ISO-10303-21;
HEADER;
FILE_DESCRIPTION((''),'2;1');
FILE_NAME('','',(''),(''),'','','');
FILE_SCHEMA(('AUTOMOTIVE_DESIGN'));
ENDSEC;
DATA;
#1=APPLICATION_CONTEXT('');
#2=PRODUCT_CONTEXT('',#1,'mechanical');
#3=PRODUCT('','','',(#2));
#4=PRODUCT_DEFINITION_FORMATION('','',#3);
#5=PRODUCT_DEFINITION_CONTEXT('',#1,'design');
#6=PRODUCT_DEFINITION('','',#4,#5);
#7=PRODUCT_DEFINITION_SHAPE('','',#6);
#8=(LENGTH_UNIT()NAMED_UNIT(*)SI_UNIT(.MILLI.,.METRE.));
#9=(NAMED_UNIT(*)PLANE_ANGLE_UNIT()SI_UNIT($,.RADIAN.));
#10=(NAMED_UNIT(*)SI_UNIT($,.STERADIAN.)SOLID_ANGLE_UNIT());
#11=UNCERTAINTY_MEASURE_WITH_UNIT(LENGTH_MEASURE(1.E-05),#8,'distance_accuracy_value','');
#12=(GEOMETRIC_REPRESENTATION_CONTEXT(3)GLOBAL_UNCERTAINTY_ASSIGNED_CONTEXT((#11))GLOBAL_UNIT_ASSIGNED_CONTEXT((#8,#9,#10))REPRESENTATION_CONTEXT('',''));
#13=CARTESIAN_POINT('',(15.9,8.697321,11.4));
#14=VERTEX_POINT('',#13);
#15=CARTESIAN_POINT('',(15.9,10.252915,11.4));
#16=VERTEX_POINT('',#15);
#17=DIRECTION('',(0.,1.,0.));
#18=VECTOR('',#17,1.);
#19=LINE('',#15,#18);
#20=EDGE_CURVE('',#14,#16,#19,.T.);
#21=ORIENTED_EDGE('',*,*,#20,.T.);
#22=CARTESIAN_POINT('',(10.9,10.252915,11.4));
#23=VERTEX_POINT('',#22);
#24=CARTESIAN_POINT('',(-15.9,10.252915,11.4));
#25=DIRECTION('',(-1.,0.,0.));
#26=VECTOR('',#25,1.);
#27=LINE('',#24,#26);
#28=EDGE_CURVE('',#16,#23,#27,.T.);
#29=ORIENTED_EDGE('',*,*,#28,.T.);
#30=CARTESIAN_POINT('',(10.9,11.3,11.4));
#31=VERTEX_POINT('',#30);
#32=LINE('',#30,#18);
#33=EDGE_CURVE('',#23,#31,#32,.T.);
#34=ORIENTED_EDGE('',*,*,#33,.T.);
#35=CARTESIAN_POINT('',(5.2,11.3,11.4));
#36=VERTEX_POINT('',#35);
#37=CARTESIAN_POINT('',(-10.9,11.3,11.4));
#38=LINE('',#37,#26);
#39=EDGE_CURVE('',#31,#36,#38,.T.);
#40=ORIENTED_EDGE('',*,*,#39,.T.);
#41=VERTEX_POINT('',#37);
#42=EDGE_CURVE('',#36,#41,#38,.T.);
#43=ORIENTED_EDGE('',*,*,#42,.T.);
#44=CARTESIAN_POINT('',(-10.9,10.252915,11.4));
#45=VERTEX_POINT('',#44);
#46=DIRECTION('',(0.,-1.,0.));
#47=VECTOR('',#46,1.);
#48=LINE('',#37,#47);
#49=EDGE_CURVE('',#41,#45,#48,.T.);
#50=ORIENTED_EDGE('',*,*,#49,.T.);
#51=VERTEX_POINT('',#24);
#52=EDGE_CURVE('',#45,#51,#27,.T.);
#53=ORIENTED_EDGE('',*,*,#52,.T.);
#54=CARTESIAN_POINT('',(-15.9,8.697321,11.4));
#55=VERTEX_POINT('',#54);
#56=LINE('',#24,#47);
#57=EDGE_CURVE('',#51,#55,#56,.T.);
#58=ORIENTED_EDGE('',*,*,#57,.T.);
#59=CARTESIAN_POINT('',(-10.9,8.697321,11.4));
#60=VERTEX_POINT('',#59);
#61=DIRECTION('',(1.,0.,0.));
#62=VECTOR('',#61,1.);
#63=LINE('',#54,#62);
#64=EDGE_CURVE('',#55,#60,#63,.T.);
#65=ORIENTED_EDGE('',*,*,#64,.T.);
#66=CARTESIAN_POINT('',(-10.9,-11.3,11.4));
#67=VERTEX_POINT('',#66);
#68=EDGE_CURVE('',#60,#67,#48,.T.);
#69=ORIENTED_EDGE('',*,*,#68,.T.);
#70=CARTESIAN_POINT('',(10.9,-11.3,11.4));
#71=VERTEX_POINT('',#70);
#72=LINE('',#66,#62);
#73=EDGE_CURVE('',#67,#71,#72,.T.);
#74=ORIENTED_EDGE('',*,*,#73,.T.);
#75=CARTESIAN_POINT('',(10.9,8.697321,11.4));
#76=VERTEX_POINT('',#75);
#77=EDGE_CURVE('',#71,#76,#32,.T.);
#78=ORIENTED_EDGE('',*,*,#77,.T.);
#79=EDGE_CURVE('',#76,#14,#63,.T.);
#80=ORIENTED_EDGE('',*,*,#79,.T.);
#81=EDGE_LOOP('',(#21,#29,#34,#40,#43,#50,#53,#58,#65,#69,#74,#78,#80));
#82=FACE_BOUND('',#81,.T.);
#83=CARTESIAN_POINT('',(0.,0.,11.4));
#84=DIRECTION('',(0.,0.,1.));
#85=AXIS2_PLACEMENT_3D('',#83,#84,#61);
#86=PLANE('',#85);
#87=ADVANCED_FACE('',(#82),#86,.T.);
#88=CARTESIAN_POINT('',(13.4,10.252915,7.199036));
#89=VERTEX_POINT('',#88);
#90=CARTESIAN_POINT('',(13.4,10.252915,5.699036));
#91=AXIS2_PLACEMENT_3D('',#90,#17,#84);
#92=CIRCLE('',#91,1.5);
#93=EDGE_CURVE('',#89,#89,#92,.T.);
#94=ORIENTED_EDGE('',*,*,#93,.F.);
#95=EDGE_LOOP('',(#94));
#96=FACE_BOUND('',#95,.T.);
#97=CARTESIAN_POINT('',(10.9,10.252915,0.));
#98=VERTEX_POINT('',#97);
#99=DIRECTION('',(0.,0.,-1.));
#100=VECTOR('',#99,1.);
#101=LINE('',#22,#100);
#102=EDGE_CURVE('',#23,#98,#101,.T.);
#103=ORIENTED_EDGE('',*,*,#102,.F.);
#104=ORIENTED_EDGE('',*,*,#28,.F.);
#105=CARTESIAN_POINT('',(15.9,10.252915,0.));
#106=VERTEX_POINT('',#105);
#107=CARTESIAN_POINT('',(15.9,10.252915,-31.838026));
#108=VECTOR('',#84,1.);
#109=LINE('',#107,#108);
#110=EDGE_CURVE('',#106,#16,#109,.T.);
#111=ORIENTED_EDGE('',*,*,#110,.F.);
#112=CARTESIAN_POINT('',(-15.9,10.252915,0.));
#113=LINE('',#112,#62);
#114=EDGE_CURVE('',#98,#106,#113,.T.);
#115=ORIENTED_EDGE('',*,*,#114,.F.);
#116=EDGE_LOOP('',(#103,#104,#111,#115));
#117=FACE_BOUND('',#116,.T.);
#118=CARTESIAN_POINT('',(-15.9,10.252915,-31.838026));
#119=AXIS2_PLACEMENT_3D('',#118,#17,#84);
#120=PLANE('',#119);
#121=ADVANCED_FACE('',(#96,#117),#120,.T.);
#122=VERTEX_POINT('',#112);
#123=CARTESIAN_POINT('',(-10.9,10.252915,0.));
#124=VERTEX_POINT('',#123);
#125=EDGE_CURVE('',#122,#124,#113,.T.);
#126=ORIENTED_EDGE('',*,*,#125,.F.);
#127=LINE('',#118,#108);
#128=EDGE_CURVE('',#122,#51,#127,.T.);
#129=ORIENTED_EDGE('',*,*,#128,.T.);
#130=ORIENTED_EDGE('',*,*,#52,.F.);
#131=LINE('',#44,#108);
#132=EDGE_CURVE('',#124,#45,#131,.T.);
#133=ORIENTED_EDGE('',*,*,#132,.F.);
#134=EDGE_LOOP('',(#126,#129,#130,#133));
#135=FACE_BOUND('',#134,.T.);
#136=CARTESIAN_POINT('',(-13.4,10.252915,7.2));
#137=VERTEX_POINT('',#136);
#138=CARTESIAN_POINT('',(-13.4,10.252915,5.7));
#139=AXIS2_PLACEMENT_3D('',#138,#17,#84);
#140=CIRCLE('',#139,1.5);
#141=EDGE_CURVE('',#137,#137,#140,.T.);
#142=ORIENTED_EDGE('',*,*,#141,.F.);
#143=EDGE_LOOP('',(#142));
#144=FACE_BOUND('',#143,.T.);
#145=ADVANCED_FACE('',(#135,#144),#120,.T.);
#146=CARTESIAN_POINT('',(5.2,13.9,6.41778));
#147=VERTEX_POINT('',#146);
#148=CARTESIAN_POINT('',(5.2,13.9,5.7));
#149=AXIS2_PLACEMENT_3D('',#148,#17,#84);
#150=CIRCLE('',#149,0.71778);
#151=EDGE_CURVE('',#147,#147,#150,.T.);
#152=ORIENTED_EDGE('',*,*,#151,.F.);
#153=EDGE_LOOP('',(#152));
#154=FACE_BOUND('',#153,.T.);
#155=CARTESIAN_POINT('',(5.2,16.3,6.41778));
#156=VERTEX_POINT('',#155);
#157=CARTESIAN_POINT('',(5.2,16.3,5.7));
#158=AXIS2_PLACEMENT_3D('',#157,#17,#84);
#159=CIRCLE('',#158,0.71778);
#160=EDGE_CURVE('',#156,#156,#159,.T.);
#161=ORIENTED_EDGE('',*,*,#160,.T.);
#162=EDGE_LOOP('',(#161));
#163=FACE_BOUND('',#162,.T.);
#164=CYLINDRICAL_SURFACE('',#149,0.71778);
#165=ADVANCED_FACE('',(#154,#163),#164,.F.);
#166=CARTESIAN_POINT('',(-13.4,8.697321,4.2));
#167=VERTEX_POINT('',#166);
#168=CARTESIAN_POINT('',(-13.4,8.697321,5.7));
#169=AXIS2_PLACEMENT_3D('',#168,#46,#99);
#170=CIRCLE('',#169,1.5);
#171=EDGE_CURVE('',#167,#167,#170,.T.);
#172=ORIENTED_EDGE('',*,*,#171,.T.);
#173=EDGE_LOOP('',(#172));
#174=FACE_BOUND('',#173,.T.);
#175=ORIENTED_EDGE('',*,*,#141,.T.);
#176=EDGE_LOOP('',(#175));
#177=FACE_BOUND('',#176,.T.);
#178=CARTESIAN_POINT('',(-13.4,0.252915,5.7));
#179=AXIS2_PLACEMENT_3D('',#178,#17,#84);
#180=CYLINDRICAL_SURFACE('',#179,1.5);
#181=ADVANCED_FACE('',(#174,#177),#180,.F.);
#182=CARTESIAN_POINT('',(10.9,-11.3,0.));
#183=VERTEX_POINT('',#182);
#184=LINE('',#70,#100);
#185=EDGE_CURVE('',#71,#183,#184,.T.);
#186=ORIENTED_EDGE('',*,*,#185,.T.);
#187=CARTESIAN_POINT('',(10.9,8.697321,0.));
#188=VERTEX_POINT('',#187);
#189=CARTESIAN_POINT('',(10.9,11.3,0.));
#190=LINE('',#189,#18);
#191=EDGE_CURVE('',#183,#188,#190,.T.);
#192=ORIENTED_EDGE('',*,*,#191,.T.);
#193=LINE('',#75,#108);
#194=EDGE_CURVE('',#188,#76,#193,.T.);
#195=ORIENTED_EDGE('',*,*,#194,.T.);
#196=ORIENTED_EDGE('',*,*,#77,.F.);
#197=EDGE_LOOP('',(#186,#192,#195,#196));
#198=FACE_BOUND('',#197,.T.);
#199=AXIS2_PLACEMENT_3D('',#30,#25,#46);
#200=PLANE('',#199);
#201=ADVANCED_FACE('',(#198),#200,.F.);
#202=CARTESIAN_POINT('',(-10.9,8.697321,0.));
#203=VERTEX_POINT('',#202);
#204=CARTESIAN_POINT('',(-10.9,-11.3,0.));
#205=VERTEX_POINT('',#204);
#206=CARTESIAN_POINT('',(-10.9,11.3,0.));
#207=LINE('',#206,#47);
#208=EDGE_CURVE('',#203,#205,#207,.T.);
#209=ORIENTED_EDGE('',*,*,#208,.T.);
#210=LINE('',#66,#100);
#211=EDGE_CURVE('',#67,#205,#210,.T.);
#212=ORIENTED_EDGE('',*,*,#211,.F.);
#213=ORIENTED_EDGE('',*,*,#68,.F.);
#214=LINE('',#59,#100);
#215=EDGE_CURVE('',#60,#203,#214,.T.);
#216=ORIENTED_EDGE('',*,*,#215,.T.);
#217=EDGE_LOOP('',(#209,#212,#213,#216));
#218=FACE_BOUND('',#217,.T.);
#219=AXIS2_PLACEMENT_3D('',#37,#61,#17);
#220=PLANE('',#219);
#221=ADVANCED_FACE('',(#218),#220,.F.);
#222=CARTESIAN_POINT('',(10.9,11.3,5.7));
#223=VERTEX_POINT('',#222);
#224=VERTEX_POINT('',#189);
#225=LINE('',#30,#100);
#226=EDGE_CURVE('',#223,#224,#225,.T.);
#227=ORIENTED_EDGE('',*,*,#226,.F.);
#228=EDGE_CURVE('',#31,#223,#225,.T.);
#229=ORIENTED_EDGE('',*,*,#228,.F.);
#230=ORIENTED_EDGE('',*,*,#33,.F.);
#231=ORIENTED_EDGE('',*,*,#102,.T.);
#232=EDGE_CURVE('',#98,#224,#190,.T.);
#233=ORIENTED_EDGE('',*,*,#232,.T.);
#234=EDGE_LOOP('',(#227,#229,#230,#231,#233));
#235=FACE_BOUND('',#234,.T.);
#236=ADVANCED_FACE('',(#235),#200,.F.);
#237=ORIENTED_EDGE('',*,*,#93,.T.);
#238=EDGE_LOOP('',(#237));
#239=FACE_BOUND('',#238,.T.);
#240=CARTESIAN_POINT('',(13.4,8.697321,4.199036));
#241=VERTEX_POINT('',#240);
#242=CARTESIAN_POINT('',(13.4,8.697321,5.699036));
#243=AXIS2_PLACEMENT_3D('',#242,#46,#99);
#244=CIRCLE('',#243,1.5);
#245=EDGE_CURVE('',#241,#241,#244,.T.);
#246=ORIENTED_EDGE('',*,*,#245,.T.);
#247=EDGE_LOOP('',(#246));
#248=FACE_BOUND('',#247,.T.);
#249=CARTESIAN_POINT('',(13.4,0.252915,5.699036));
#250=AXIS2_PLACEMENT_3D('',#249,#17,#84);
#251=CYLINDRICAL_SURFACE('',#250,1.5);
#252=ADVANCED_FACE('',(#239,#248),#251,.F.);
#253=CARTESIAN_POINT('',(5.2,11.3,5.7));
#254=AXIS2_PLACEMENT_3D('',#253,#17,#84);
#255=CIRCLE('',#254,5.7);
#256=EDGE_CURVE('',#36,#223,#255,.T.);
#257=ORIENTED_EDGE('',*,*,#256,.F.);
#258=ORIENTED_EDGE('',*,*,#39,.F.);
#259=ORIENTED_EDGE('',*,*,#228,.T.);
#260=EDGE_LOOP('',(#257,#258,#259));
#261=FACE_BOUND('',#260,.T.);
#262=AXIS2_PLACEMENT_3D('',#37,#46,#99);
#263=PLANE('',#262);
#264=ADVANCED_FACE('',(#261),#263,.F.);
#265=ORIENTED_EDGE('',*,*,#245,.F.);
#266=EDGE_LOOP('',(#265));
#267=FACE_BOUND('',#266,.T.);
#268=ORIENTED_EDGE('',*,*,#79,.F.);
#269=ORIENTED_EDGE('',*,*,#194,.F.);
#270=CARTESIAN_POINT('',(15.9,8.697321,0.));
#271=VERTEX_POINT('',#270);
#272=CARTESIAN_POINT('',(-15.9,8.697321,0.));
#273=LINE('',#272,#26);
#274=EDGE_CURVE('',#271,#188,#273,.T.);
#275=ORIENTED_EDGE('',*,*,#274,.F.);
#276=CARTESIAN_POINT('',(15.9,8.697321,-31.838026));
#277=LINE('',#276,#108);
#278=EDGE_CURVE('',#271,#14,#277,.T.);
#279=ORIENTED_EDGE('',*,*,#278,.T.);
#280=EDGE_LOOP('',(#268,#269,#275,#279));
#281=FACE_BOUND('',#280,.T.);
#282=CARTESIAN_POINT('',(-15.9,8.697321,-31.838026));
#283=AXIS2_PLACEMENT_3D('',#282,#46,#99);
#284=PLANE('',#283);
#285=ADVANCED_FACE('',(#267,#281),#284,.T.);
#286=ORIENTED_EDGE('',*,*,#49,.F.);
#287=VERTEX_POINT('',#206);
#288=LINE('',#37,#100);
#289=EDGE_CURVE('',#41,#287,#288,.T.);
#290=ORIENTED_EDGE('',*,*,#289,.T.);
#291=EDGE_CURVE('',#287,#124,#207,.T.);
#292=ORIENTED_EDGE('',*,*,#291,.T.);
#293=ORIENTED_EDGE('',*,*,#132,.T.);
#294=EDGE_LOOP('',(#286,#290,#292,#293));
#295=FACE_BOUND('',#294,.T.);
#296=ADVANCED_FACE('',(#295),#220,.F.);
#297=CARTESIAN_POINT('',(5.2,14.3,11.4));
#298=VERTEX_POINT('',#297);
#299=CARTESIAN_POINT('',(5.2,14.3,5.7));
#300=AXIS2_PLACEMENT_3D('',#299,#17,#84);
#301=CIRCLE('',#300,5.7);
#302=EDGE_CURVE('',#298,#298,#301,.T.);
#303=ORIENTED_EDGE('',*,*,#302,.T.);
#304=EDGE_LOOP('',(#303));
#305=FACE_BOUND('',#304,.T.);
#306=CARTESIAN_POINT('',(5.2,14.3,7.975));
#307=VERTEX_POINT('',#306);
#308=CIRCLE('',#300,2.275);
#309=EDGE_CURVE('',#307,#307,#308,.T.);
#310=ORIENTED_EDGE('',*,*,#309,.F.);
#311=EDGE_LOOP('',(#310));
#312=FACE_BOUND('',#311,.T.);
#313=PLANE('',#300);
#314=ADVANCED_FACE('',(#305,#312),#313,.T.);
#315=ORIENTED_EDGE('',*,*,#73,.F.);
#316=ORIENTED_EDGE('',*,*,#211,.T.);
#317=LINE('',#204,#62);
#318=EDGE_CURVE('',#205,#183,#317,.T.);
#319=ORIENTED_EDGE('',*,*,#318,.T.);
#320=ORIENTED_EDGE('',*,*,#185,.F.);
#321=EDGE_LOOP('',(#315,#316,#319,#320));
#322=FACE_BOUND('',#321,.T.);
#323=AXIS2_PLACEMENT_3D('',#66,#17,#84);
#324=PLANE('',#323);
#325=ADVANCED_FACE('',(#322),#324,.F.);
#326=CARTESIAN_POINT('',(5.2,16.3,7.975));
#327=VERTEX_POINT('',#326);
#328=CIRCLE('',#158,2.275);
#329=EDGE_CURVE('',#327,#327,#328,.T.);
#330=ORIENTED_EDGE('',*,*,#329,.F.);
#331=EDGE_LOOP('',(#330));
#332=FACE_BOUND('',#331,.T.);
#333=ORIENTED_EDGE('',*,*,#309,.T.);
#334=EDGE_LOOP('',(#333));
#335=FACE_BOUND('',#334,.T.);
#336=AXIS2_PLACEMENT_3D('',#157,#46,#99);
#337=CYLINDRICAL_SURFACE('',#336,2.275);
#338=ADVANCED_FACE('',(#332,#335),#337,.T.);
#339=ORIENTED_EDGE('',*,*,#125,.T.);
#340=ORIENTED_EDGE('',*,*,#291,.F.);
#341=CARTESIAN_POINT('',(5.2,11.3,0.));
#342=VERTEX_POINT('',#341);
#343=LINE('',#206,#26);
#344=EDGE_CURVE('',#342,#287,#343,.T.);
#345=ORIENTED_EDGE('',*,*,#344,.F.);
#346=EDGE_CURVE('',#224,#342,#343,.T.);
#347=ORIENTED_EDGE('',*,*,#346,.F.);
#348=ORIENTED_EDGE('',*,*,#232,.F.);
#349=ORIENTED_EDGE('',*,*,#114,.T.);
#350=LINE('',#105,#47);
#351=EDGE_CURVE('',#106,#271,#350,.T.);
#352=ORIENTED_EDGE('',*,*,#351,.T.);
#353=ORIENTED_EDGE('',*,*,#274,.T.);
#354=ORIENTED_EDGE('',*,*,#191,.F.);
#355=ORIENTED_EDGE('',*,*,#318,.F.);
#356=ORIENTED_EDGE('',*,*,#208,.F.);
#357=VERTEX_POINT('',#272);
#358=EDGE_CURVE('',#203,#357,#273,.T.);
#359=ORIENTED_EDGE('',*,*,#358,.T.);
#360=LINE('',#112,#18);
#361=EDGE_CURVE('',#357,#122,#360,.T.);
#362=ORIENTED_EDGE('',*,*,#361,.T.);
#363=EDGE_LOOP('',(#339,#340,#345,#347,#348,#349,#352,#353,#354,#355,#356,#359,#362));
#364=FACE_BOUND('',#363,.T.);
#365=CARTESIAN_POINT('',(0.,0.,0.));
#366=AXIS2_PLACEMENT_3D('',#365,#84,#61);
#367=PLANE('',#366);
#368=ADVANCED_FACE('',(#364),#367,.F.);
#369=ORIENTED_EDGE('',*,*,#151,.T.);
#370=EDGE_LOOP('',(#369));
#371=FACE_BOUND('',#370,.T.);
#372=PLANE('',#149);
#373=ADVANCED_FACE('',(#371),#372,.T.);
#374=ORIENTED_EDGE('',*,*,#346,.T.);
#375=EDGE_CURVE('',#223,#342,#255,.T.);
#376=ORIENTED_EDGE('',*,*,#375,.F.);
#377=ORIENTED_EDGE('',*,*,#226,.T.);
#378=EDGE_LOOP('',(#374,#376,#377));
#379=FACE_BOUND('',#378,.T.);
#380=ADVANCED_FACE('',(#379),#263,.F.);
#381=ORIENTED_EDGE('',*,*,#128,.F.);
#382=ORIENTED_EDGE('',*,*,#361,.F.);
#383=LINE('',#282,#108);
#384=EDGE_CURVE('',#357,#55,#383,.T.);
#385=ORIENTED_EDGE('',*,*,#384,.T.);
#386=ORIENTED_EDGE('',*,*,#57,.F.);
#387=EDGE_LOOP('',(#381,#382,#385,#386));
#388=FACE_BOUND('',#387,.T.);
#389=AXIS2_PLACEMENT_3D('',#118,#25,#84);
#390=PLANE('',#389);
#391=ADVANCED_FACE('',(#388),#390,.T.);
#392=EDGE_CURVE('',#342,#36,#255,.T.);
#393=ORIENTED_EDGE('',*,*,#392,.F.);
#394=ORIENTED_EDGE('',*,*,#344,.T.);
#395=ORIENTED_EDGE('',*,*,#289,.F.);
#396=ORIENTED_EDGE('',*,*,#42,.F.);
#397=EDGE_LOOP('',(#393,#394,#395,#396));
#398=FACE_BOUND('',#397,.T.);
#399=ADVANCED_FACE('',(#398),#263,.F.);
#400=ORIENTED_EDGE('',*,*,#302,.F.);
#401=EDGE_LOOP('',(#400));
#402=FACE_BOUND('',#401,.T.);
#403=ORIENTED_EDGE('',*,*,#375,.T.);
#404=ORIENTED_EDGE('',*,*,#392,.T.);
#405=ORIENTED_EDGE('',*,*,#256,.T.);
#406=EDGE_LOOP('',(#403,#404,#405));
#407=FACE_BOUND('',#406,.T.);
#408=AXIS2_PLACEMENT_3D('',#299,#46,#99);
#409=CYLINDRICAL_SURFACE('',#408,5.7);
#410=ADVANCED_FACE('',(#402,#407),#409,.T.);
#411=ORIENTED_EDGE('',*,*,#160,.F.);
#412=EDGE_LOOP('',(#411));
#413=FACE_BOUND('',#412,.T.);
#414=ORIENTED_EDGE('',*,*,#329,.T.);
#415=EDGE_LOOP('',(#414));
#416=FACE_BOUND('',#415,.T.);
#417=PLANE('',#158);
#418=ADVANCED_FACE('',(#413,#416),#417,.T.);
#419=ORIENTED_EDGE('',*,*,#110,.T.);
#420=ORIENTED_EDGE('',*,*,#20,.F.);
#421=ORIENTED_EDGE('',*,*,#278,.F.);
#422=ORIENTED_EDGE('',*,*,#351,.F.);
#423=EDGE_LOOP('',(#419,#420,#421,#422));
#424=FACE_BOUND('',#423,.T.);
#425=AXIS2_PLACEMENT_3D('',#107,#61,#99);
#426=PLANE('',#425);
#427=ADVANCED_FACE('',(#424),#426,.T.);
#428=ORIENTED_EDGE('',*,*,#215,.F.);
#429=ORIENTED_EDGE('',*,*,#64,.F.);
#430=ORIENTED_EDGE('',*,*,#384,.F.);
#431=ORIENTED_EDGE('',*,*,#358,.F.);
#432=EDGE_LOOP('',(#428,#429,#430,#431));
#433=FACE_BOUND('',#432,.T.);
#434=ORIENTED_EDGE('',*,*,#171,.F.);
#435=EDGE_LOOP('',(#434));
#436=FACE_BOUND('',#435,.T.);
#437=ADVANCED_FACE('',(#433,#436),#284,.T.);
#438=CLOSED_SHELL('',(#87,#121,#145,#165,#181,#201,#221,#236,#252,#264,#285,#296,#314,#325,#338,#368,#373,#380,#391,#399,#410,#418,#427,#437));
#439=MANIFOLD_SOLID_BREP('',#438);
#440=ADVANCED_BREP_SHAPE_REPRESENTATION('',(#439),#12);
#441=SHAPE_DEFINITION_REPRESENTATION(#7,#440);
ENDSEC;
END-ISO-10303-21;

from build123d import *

# Parameters (mm, degrees)
SKETCH1_W           = 21.8
SKETCH1_H           = 22.6
BOSS_EXTRUDE1_DEPTH = 11.4
SKETCH2_W           = 31.8
SKETCH2_H           = 1.555593414
BOSS_EXTRUDE2_DEPTH = 11.4
SKETCH3_R           = 5.7
BOSS_EXTRUDE3_DEPTH = 3
SKETCH4_R           = 2.275
BOSS_EXTRUDE4_DEPTH = 2
SKETCH5_R           = 0.717779634
CUT_EXTRUDE1_DEPTH  = 2.4
SKETCH7_R           = 1.5
CUT_EXTRUDE2_DEPTH  = 10


with BuildPart() as part:
    # Sketch1 → Boss-Extrude1 (new body)
    with BuildSketch(Plane.XY):
        Rectangle(SKETCH1_W, SKETCH1_H)
    extrude(amount=BOSS_EXTRUDE1_DEPTH)

    # Sketch2 → Boss-Extrude2 (add)
    with BuildSketch(Plane.XY.offset(11.4)):
        with Locations((0, 9.475117961)):
            Rectangle(SKETCH2_W, SKETCH2_H)
    extrude(amount=-BOSS_EXTRUDE2_DEPTH)

    # Sketch3 → Boss-Extrude3 (add)
    with BuildSketch(Plane(origin=(0, 11.3, 0), x_dir=(1, 0, 0), z_dir=(0, 1, 0))):
        with Locations(Location((5.2, -5.7, 0), (0, 0, 270))):
            Circle(SKETCH3_R)
    extrude(amount=BOSS_EXTRUDE3_DEPTH)

    # Sketch4 → Boss-Extrude4 (add)
    with BuildSketch(Plane(origin=(0, 14.3, 0), x_dir=(1, 0, 0), z_dir=(0, 1, 0))):
        with Locations(Location((5.2, -5.7, 0), (0, 0, 270))):
            Circle(SKETCH4_R)
    extrude(amount=BOSS_EXTRUDE4_DEPTH)

    # Sketch5 → Cut-Extrude1 (cut)
    with BuildSketch(Plane(origin=(0, 16.3, 0), x_dir=(1, 0, 0), z_dir=(0, 1, 0))):
        with Locations(Location((5.2, -5.7, 0), (0, 0, 270))):
            Circle(SKETCH5_R)
    extrude(amount=-CUT_EXTRUDE1_DEPTH, mode=Mode.SUBTRACT)

    # Sketch7 → Cut-Extrude2 (cut)
    with BuildSketch(Plane(origin=(0, 10.252914668, 0), x_dir=(1, 0, 0), z_dir=(0, 1, 0))):
        with Locations(Location((13.399999972, -5.699036205, 0), (0, 0, 270))):
            Circle(SKETCH7_R)
        with Locations(Location((-13.4, -5.7, 0), (0, 0, 270))):
            Circle(SKETCH7_R)
    extrude(amount=-CUT_EXTRUDE2_DEPTH, mode=Mode.SUBTRACT)


solid = part.part
